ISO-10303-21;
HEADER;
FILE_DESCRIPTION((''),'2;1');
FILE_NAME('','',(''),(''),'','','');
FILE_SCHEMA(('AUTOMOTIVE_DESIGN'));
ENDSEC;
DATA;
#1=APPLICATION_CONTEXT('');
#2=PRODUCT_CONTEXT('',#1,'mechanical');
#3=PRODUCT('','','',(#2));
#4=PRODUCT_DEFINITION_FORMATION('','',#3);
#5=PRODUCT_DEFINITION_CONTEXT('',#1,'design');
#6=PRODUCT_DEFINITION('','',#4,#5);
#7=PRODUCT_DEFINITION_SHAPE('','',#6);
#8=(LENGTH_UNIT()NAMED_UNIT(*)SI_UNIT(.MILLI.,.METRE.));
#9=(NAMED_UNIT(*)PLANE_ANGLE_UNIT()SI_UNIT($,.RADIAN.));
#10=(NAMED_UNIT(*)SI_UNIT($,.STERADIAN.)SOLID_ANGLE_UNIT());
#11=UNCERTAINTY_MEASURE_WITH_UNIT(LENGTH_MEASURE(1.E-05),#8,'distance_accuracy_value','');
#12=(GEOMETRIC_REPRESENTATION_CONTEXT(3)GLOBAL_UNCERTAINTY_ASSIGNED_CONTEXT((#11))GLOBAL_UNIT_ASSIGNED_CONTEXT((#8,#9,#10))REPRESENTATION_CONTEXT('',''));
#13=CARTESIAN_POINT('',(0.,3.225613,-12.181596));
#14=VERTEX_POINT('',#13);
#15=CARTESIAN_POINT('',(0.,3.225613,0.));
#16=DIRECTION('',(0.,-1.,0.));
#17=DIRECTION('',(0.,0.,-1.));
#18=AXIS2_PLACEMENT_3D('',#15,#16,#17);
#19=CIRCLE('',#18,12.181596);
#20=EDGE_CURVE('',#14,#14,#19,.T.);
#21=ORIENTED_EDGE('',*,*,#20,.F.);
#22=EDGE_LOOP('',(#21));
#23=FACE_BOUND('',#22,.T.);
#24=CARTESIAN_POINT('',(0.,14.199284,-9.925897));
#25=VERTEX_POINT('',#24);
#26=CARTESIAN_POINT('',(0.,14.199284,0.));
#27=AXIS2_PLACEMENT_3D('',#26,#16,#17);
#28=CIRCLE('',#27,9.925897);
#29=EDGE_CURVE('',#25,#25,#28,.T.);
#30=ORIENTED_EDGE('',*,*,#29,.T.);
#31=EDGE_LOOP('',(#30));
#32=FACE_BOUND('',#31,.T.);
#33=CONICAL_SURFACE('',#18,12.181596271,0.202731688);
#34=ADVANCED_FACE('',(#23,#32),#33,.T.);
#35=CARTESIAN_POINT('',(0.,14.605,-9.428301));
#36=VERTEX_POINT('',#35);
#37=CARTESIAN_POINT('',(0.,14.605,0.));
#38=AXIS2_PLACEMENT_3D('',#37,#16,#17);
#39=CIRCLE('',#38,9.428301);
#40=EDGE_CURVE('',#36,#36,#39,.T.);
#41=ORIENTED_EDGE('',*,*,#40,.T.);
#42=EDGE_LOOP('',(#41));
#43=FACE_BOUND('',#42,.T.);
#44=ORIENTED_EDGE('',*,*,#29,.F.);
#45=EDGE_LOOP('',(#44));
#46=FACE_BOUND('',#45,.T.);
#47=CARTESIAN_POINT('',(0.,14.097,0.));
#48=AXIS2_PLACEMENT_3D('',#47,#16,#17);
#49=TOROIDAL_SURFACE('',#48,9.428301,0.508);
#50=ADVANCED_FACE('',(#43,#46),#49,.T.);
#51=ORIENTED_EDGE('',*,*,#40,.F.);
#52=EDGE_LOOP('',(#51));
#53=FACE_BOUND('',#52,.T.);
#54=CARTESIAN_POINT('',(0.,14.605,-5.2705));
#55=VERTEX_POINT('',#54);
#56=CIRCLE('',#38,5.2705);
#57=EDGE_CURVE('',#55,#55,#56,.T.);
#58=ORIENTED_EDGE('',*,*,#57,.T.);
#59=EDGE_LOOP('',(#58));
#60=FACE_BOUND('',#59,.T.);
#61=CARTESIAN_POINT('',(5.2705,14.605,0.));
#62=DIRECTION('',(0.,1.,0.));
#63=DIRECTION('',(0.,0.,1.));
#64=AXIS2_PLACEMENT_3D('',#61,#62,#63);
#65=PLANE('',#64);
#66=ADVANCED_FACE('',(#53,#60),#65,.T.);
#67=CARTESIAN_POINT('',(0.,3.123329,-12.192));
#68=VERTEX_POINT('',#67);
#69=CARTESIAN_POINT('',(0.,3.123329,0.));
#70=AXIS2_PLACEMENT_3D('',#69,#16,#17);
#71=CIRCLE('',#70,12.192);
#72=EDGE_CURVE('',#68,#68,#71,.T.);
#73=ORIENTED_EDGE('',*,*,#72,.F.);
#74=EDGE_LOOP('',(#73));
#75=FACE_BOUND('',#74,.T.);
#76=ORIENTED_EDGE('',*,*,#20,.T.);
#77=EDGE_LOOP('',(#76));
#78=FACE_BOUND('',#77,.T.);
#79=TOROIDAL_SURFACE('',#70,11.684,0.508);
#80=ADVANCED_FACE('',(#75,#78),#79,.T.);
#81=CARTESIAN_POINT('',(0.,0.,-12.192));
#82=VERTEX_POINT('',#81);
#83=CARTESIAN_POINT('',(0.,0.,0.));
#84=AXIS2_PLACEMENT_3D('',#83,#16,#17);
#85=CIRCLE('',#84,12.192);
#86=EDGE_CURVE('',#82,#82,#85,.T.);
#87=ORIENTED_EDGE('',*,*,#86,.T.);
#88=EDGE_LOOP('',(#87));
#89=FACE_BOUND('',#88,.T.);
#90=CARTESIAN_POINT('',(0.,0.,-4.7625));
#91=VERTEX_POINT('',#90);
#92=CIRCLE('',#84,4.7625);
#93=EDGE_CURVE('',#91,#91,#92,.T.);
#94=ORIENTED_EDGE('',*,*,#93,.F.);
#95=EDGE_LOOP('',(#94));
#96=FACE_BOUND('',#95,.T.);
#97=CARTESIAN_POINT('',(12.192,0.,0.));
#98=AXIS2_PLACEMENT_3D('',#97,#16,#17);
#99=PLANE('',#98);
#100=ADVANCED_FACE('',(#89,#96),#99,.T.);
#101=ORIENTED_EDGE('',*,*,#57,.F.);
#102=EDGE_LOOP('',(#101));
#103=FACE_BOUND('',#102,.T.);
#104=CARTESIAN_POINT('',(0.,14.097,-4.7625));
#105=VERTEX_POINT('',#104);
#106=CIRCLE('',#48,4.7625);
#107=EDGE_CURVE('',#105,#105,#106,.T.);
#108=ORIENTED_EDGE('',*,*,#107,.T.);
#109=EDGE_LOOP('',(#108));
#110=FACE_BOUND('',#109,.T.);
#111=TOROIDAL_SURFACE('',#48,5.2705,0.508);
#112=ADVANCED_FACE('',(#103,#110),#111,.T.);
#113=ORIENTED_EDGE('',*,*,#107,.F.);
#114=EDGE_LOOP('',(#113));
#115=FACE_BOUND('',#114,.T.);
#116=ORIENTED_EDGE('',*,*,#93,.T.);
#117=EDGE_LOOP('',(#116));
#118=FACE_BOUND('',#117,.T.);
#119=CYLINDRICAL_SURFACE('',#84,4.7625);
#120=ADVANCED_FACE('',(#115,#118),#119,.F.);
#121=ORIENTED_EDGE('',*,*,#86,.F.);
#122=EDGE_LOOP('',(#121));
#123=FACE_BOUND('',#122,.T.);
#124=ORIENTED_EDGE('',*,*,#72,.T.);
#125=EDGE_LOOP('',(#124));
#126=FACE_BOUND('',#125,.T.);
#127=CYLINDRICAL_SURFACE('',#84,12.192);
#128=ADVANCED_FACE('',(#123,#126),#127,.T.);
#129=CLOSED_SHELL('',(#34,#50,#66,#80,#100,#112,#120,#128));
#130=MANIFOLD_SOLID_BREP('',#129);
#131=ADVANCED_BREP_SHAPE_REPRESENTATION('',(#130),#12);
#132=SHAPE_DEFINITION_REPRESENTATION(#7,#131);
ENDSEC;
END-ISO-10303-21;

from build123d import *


with BuildPart() as part:
    # Sketch1 → Revolve1 (revolve)
    with BuildSketch(Plane.XY, mode=Mode.PRIVATE) as revolve1_sk:
        with BuildLine():
            Line((4.7625, 0), (4.7625, 14.097))
            ThreePointArc((4.7625, 14.097), (4.911289755, 14.456210245), (5.2705, 14.605))
            Line((5.2705, 14.605), (9.428300973, 14.605))
            ThreePointArc((9.428300973, 14.605), (9.749318022, 14.490715702), (9.925897244, 14.199283678))
            Line((9.925897244, 14.199283678), (12.181596271, 3.225612734))
            ThreePointArc((12.181596271, 3.225612734), (12.189392375, 3.174734767), (12.192, 3.123329056))
            Line((12.192, 3.123329056), (12.192, 0))
            Line((12.192, 0), (4.7625, 0))
        make_face()
    revolve(revolve1_sk.sketch.rotate(Axis((0, 0, 0), (0, 1, 0)), 90), axis=Axis((0, 0, 0), (0, 1, 0)))


solid = part.part
